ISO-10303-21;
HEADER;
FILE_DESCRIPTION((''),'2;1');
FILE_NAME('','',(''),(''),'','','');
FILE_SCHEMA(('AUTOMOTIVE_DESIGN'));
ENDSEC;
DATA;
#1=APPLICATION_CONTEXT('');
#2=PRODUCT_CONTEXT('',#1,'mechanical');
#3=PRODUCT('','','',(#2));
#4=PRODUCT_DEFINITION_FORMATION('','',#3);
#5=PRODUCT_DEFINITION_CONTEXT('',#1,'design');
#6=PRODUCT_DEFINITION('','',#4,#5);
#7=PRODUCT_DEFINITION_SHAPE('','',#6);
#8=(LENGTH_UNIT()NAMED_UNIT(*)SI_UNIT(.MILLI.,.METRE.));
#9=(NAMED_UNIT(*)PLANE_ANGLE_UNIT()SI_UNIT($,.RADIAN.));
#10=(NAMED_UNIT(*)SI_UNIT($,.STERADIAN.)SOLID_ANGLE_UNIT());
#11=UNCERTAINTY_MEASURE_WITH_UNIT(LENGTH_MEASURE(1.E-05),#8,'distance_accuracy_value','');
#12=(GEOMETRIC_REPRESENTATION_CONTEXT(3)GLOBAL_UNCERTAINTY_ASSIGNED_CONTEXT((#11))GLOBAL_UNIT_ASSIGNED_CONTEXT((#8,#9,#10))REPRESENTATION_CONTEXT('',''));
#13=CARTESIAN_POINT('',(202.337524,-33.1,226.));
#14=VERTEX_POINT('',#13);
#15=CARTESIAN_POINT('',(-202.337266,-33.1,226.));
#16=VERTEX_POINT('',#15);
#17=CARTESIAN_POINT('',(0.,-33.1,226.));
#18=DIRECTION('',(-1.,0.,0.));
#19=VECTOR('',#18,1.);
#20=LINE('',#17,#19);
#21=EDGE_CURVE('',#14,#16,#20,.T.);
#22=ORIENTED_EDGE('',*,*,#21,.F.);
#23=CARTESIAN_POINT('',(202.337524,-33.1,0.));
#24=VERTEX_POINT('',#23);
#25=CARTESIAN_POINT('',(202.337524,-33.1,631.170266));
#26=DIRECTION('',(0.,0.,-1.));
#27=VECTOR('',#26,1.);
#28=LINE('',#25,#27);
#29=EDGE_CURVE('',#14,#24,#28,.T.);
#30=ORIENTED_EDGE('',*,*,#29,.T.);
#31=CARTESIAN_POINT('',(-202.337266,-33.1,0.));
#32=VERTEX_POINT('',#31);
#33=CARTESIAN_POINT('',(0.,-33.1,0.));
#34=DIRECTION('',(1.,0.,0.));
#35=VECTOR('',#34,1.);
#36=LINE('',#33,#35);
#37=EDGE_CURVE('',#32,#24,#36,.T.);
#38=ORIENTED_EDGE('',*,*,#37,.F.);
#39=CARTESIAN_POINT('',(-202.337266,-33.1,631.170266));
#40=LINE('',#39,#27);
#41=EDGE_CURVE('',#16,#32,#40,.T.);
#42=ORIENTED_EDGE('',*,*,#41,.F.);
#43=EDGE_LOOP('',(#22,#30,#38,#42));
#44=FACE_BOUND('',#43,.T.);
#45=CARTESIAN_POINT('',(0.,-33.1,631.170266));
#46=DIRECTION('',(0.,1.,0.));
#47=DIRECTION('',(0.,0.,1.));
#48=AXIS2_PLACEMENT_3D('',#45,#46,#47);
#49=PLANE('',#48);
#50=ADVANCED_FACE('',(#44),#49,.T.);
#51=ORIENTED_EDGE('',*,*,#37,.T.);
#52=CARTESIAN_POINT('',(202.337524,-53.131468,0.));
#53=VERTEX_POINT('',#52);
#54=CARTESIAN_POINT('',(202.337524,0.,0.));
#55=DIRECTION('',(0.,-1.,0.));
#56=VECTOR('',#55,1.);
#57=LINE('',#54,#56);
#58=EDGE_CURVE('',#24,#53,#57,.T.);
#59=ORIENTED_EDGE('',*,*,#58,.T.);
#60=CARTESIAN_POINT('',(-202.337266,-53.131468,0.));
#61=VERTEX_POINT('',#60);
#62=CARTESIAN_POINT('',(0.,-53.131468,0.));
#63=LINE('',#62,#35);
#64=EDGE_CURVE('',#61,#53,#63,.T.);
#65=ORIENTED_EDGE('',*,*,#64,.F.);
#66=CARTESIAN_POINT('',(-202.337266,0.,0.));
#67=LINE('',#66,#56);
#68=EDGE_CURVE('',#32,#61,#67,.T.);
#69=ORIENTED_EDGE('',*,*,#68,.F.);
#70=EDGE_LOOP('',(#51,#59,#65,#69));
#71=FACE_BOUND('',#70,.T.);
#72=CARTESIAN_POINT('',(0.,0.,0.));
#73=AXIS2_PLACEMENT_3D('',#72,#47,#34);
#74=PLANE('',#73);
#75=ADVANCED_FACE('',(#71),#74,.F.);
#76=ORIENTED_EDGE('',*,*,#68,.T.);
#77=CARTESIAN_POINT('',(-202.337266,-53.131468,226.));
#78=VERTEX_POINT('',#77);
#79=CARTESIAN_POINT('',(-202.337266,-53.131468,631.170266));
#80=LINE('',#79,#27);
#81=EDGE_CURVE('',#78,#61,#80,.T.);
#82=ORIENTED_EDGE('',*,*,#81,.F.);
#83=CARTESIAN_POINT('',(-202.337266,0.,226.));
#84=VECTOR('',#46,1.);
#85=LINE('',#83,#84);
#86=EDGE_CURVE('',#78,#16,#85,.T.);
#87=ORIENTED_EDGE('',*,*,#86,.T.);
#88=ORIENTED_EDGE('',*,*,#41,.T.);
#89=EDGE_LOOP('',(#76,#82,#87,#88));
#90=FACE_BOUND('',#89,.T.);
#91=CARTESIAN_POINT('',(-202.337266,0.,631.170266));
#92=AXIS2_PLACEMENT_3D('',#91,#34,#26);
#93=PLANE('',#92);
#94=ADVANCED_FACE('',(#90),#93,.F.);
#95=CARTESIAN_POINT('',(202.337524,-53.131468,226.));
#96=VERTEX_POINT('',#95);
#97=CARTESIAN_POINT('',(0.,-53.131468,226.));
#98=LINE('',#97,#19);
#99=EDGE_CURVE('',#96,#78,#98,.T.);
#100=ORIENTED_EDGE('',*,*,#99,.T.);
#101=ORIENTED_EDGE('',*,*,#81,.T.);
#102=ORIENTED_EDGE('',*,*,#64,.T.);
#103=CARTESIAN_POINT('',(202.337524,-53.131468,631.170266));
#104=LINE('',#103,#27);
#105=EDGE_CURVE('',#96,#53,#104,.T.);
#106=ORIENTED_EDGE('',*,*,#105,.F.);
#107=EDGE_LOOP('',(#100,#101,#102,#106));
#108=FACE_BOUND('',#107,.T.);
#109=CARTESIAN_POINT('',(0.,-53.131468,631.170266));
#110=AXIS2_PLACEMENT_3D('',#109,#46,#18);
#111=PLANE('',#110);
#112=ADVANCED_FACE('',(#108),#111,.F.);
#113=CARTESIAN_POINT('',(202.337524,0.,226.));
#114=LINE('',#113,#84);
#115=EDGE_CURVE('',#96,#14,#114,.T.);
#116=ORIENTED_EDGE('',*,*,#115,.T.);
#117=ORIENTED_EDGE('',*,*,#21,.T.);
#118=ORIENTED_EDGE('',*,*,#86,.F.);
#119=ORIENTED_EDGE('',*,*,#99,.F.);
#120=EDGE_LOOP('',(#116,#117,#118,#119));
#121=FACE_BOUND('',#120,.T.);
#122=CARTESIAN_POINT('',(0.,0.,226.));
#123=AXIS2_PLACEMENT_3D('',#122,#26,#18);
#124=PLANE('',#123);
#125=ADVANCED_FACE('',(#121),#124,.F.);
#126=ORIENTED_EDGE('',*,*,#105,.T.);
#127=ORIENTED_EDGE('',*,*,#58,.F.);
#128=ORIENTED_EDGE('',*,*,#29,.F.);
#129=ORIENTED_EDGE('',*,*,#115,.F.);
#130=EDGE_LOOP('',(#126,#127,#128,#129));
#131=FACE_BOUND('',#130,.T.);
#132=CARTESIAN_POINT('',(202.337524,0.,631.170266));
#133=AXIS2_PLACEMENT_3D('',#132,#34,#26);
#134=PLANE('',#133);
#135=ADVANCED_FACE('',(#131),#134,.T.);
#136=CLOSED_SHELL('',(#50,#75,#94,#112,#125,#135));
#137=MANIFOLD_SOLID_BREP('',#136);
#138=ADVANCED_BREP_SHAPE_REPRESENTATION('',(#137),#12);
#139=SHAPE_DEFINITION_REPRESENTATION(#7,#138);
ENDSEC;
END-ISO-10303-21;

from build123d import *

# Parameters (mm, degrees)
BOSS_EXTRUDE1_DEPTH = 226


with BuildPart() as part:
    # Sketch1 → Boss-Extrude1 (new body)
    with BuildSketch(Plane.XY):
        Polygon((161.15, -33.1), (-161.15, -33.1), (-202.337265555, -33.1), (-202.337265555, -53.131468062), (202.337523688, -53.131468062), (202.337523688, -33.1), align=None)
    extrude(amount=BOSS_EXTRUDE1_DEPTH)


solid = part.part
